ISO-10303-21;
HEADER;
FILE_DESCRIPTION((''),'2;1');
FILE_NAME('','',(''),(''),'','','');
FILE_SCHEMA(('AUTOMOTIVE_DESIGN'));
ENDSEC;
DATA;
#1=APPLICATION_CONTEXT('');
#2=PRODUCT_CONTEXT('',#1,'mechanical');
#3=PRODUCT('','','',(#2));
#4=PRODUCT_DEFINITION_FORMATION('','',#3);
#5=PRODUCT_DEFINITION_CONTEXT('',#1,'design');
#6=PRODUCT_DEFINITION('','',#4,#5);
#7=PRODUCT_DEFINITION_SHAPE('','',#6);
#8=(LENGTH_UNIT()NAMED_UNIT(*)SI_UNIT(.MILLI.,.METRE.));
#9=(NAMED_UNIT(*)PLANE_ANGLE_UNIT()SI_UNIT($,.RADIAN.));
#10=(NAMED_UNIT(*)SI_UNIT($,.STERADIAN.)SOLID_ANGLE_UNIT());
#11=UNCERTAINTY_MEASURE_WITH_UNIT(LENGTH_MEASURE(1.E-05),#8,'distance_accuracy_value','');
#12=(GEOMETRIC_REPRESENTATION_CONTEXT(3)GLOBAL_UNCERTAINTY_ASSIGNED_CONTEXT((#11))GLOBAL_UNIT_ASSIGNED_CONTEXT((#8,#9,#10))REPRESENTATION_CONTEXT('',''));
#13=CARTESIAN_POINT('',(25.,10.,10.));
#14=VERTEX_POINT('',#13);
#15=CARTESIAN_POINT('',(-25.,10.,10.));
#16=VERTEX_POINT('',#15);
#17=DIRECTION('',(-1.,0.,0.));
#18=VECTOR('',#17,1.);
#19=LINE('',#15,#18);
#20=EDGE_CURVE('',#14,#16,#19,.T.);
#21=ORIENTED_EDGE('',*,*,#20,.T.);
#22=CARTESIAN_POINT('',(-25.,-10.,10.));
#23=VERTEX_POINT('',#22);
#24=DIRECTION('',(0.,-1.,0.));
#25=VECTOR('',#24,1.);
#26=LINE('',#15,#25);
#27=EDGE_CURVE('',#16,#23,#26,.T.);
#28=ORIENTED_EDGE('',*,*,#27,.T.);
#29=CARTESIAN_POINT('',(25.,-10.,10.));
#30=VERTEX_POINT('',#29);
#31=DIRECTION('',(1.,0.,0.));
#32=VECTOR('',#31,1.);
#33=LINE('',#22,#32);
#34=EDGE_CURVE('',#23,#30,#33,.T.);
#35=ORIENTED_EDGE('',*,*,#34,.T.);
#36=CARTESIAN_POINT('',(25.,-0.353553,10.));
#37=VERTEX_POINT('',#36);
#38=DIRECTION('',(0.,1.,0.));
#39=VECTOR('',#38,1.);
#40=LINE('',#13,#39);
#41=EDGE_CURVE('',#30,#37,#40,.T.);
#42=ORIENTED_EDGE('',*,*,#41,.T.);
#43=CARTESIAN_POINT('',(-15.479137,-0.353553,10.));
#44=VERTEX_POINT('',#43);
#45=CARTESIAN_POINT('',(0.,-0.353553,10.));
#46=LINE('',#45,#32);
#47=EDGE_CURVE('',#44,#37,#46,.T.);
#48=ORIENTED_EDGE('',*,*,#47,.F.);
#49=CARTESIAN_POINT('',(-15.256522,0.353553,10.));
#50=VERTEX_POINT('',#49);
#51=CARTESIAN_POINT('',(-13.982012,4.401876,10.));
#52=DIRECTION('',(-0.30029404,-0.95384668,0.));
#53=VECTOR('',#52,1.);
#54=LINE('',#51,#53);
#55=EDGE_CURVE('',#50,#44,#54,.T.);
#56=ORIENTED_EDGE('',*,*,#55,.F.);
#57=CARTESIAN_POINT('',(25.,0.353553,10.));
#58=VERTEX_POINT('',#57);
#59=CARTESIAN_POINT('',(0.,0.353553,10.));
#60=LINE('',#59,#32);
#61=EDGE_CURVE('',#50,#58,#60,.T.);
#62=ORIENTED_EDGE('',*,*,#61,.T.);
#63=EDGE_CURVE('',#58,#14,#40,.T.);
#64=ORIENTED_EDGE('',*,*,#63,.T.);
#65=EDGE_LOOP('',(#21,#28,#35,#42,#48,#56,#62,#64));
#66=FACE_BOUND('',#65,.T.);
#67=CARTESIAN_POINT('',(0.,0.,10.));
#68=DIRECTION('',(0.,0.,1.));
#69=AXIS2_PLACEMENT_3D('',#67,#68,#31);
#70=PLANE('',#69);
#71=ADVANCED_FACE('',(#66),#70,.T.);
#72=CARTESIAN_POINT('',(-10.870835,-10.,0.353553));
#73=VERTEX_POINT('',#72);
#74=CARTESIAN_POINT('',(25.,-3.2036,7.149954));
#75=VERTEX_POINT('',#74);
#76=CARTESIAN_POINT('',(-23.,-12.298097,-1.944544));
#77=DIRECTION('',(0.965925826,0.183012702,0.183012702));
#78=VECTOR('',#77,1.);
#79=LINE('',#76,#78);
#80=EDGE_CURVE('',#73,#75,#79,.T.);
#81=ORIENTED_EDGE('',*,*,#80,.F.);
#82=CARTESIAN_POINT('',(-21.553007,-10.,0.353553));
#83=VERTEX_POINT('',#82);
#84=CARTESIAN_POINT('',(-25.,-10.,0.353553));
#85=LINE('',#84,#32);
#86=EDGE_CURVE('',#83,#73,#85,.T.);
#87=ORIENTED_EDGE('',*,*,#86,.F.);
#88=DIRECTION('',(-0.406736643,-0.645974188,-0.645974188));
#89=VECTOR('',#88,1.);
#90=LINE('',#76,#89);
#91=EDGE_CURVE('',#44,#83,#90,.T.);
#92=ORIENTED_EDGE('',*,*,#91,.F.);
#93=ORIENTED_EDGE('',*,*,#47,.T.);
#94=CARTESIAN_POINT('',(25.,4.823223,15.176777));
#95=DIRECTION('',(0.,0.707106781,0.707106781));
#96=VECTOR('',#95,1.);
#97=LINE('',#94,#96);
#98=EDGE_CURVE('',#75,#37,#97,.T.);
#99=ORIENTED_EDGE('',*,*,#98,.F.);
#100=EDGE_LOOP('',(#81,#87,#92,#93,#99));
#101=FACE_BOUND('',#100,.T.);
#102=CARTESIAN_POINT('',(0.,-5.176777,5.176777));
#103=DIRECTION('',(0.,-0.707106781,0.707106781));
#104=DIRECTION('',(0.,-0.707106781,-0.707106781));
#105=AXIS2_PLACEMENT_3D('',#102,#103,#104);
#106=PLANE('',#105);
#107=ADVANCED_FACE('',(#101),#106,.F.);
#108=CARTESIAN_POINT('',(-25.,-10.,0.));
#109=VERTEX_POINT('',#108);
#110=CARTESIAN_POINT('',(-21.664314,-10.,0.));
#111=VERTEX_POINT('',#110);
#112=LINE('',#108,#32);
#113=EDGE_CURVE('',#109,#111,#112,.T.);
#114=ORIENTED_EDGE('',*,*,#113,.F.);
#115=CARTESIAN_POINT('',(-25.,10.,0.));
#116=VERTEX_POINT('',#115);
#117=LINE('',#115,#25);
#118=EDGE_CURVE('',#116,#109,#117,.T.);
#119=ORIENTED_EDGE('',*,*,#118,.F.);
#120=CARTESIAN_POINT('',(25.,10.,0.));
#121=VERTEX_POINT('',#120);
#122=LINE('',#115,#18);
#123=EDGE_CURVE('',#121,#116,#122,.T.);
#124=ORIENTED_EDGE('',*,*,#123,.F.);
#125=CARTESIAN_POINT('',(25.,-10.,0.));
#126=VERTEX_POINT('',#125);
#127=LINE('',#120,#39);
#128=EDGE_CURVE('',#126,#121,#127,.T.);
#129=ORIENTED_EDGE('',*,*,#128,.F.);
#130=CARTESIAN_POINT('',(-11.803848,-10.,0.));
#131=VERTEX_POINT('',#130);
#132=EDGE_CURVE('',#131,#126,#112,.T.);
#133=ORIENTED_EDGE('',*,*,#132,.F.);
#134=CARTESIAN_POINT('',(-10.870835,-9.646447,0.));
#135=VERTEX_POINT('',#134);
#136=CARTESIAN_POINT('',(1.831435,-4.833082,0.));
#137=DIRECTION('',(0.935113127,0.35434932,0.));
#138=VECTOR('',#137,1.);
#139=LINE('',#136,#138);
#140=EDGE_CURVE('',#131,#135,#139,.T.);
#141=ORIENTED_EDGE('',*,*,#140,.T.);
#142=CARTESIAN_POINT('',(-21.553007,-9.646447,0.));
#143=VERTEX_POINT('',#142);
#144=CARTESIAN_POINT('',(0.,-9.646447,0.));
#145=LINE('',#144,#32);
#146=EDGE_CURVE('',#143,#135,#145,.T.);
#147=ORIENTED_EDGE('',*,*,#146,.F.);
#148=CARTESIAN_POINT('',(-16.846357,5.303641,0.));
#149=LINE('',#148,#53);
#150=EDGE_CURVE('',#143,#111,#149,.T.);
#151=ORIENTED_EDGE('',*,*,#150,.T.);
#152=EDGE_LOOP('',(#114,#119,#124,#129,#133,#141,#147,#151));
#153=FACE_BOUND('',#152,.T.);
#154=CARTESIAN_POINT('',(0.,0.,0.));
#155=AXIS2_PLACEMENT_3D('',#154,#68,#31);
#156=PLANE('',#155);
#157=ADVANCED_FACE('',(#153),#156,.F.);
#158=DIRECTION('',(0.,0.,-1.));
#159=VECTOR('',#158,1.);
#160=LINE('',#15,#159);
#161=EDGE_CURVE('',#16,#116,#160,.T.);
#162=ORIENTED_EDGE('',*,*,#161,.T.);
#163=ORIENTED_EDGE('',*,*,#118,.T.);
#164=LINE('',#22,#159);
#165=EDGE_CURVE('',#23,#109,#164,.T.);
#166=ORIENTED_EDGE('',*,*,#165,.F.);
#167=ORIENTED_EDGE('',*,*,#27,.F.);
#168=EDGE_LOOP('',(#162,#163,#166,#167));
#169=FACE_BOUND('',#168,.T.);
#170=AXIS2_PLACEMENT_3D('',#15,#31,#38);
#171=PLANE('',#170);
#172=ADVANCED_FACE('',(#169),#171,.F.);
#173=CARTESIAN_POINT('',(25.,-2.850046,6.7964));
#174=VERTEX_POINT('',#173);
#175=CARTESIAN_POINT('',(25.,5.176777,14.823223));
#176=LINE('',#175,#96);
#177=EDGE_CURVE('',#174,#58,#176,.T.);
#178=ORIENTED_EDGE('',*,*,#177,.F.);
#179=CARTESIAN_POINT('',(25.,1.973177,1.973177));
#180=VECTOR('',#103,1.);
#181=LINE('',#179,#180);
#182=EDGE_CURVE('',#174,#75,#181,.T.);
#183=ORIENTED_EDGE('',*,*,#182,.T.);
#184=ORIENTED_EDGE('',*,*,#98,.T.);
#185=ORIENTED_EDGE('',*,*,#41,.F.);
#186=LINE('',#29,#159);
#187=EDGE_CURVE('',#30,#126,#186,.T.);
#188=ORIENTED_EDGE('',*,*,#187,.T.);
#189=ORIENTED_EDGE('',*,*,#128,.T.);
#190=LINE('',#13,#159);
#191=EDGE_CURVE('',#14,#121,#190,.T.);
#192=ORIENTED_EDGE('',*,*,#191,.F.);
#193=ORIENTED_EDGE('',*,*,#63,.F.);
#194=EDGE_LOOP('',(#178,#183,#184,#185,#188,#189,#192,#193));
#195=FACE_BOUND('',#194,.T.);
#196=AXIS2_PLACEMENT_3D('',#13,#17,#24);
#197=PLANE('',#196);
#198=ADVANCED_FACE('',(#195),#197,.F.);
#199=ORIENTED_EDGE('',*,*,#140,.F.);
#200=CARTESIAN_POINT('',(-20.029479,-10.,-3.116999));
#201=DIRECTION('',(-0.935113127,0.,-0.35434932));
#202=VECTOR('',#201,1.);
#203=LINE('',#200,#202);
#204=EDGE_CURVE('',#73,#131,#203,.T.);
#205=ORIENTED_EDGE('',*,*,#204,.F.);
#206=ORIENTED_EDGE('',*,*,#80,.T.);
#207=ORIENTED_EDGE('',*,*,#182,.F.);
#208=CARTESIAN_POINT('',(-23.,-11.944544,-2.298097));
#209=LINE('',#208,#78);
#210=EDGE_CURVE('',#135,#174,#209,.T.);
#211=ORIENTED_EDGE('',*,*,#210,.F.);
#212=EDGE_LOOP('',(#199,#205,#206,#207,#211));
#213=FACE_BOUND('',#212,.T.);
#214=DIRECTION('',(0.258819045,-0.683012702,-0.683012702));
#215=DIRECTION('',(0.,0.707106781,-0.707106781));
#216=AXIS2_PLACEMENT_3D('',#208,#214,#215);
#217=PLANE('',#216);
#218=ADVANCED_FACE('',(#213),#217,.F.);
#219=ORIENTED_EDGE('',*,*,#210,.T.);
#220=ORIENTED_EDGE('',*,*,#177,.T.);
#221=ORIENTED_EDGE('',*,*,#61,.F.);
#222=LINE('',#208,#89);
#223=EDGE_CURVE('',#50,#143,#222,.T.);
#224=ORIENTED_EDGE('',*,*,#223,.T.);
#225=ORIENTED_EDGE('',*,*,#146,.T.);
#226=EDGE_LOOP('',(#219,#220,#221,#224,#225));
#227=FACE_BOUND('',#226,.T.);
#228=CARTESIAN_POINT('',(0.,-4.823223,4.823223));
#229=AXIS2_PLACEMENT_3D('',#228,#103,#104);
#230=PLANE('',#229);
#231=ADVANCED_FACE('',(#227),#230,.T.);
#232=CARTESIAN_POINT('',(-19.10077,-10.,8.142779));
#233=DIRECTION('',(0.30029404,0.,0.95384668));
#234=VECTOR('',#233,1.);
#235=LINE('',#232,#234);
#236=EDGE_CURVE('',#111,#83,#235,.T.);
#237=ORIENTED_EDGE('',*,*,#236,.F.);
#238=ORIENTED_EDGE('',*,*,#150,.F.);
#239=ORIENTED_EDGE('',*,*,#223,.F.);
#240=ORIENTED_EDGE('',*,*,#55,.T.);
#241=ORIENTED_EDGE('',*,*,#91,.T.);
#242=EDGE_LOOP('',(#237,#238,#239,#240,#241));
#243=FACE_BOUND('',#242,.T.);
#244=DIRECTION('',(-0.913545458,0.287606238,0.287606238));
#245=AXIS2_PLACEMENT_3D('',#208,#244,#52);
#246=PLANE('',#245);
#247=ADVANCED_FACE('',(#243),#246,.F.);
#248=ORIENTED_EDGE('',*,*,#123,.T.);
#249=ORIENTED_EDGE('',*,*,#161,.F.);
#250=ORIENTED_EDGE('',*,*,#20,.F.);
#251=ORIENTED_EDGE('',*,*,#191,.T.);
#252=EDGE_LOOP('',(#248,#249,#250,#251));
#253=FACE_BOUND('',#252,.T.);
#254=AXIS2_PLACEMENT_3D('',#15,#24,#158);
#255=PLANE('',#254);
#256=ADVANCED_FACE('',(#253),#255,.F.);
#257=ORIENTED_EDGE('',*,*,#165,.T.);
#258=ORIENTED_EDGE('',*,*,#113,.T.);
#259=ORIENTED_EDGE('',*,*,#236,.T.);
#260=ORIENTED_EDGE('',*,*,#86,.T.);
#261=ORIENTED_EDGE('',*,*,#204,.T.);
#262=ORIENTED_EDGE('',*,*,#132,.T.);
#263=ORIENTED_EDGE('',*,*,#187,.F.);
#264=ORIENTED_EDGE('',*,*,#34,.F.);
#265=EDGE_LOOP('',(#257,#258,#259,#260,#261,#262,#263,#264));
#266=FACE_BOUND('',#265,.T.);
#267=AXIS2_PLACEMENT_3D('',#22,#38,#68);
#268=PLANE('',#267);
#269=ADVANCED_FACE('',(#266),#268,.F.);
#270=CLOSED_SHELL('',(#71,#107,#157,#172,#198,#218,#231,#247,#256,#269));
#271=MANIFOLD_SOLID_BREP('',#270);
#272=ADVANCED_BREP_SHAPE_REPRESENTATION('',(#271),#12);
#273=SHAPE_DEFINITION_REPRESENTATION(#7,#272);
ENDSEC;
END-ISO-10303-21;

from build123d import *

# Parameters (mm, degrees)
SKETCH1_W           = 50
SKETCH1_H           = 20
BOSS_EXTRUDE1_DEPTH = 10
CUT_EXTRUDE1_DEPTH  = 0.25


with BuildPart() as part:
    # Sketch1 → Boss-Extrude1 (new body)
    with BuildSketch(Plane.XY):
        Rectangle(SKETCH1_W, SKETCH1_H)
    extrude(amount=BOSS_EXTRUDE1_DEPTH)

    # Sketch2 → Cut-Extrude1 (cut, symmetric)
    with BuildSketch(Plane(origin=(0, -5, 5), x_dir=(1, 0, 0), z_dir=(0, -0.707106781, 0.707106781))):
        Polygon((-23, -10.071067812), (35.375550351, 5.570613762), (29.163893269, 28.752833593), (-10.439065609, 18.141252744), align=None)
    extrude(amount=CUT_EXTRUDE1_DEPTH, both=True, mode=Mode.SUBTRACT)


solid = part.part
